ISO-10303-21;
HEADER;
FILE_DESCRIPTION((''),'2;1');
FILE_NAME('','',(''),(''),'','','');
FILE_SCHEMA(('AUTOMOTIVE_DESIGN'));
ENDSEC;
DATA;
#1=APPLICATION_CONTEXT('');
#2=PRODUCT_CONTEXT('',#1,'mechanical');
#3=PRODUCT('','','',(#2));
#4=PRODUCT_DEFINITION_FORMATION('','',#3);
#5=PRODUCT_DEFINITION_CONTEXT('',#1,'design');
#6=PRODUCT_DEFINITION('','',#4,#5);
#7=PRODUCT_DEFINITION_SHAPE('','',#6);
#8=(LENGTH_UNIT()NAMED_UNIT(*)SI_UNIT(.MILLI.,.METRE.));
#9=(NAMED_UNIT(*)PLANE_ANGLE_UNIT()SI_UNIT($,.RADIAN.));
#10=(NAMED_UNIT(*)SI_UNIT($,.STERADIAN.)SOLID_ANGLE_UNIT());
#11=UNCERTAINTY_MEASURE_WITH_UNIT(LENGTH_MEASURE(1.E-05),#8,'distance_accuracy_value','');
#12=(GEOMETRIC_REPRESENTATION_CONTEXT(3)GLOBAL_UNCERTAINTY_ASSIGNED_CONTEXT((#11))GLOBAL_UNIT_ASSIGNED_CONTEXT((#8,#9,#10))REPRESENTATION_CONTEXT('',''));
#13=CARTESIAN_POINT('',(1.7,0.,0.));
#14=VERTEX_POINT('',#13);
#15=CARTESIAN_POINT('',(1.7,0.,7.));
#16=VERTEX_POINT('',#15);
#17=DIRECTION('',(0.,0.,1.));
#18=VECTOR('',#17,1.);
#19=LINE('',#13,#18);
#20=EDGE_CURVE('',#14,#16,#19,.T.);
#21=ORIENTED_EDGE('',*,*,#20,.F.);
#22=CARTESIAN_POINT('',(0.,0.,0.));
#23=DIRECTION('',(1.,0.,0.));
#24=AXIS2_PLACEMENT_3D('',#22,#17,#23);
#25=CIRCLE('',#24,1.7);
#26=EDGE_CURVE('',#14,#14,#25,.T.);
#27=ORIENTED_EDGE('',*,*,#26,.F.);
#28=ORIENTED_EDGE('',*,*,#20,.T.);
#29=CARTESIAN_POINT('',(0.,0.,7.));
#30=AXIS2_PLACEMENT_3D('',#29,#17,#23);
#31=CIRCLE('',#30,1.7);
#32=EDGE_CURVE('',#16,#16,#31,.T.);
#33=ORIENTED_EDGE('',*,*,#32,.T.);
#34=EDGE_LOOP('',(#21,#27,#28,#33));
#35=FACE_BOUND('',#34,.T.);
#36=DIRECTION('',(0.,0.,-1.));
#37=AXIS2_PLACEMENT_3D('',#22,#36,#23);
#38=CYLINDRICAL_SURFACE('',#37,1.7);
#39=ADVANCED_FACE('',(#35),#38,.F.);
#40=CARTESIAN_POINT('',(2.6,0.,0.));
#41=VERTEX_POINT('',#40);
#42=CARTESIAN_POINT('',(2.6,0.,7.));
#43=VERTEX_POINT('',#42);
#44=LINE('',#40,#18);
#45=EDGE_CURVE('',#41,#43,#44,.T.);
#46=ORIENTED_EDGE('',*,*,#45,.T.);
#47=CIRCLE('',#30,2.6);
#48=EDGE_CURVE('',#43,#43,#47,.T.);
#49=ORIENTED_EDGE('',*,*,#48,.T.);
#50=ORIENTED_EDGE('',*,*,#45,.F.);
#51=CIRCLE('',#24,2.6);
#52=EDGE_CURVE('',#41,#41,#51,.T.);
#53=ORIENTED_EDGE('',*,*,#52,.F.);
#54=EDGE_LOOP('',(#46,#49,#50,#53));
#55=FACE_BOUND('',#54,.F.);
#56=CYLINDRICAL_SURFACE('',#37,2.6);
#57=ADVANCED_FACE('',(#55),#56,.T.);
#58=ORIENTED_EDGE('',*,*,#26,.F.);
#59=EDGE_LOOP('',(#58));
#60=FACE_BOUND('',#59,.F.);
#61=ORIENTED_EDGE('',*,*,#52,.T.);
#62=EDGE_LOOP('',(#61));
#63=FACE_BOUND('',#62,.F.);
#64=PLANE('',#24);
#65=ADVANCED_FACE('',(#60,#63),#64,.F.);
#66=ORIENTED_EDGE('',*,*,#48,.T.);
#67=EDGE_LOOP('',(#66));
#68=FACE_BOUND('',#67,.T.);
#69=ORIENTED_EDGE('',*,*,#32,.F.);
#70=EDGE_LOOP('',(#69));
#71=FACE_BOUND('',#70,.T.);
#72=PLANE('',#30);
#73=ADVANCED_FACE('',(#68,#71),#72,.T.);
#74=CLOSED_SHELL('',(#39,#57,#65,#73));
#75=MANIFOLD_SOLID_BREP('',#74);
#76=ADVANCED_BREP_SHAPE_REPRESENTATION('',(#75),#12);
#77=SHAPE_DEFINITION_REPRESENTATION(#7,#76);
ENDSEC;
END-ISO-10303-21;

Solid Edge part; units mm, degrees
sketch "Sketch1" plane through (0, 0, 0) normal (0, 0, 1) x (1, 0, 0)
  circle A0 centre (0, 0) radius 1.7
  circle A1 centre (0, 0) radius 2.6
extrude "Protrusion1" add sketch "Sketch1" along normal blind 7
